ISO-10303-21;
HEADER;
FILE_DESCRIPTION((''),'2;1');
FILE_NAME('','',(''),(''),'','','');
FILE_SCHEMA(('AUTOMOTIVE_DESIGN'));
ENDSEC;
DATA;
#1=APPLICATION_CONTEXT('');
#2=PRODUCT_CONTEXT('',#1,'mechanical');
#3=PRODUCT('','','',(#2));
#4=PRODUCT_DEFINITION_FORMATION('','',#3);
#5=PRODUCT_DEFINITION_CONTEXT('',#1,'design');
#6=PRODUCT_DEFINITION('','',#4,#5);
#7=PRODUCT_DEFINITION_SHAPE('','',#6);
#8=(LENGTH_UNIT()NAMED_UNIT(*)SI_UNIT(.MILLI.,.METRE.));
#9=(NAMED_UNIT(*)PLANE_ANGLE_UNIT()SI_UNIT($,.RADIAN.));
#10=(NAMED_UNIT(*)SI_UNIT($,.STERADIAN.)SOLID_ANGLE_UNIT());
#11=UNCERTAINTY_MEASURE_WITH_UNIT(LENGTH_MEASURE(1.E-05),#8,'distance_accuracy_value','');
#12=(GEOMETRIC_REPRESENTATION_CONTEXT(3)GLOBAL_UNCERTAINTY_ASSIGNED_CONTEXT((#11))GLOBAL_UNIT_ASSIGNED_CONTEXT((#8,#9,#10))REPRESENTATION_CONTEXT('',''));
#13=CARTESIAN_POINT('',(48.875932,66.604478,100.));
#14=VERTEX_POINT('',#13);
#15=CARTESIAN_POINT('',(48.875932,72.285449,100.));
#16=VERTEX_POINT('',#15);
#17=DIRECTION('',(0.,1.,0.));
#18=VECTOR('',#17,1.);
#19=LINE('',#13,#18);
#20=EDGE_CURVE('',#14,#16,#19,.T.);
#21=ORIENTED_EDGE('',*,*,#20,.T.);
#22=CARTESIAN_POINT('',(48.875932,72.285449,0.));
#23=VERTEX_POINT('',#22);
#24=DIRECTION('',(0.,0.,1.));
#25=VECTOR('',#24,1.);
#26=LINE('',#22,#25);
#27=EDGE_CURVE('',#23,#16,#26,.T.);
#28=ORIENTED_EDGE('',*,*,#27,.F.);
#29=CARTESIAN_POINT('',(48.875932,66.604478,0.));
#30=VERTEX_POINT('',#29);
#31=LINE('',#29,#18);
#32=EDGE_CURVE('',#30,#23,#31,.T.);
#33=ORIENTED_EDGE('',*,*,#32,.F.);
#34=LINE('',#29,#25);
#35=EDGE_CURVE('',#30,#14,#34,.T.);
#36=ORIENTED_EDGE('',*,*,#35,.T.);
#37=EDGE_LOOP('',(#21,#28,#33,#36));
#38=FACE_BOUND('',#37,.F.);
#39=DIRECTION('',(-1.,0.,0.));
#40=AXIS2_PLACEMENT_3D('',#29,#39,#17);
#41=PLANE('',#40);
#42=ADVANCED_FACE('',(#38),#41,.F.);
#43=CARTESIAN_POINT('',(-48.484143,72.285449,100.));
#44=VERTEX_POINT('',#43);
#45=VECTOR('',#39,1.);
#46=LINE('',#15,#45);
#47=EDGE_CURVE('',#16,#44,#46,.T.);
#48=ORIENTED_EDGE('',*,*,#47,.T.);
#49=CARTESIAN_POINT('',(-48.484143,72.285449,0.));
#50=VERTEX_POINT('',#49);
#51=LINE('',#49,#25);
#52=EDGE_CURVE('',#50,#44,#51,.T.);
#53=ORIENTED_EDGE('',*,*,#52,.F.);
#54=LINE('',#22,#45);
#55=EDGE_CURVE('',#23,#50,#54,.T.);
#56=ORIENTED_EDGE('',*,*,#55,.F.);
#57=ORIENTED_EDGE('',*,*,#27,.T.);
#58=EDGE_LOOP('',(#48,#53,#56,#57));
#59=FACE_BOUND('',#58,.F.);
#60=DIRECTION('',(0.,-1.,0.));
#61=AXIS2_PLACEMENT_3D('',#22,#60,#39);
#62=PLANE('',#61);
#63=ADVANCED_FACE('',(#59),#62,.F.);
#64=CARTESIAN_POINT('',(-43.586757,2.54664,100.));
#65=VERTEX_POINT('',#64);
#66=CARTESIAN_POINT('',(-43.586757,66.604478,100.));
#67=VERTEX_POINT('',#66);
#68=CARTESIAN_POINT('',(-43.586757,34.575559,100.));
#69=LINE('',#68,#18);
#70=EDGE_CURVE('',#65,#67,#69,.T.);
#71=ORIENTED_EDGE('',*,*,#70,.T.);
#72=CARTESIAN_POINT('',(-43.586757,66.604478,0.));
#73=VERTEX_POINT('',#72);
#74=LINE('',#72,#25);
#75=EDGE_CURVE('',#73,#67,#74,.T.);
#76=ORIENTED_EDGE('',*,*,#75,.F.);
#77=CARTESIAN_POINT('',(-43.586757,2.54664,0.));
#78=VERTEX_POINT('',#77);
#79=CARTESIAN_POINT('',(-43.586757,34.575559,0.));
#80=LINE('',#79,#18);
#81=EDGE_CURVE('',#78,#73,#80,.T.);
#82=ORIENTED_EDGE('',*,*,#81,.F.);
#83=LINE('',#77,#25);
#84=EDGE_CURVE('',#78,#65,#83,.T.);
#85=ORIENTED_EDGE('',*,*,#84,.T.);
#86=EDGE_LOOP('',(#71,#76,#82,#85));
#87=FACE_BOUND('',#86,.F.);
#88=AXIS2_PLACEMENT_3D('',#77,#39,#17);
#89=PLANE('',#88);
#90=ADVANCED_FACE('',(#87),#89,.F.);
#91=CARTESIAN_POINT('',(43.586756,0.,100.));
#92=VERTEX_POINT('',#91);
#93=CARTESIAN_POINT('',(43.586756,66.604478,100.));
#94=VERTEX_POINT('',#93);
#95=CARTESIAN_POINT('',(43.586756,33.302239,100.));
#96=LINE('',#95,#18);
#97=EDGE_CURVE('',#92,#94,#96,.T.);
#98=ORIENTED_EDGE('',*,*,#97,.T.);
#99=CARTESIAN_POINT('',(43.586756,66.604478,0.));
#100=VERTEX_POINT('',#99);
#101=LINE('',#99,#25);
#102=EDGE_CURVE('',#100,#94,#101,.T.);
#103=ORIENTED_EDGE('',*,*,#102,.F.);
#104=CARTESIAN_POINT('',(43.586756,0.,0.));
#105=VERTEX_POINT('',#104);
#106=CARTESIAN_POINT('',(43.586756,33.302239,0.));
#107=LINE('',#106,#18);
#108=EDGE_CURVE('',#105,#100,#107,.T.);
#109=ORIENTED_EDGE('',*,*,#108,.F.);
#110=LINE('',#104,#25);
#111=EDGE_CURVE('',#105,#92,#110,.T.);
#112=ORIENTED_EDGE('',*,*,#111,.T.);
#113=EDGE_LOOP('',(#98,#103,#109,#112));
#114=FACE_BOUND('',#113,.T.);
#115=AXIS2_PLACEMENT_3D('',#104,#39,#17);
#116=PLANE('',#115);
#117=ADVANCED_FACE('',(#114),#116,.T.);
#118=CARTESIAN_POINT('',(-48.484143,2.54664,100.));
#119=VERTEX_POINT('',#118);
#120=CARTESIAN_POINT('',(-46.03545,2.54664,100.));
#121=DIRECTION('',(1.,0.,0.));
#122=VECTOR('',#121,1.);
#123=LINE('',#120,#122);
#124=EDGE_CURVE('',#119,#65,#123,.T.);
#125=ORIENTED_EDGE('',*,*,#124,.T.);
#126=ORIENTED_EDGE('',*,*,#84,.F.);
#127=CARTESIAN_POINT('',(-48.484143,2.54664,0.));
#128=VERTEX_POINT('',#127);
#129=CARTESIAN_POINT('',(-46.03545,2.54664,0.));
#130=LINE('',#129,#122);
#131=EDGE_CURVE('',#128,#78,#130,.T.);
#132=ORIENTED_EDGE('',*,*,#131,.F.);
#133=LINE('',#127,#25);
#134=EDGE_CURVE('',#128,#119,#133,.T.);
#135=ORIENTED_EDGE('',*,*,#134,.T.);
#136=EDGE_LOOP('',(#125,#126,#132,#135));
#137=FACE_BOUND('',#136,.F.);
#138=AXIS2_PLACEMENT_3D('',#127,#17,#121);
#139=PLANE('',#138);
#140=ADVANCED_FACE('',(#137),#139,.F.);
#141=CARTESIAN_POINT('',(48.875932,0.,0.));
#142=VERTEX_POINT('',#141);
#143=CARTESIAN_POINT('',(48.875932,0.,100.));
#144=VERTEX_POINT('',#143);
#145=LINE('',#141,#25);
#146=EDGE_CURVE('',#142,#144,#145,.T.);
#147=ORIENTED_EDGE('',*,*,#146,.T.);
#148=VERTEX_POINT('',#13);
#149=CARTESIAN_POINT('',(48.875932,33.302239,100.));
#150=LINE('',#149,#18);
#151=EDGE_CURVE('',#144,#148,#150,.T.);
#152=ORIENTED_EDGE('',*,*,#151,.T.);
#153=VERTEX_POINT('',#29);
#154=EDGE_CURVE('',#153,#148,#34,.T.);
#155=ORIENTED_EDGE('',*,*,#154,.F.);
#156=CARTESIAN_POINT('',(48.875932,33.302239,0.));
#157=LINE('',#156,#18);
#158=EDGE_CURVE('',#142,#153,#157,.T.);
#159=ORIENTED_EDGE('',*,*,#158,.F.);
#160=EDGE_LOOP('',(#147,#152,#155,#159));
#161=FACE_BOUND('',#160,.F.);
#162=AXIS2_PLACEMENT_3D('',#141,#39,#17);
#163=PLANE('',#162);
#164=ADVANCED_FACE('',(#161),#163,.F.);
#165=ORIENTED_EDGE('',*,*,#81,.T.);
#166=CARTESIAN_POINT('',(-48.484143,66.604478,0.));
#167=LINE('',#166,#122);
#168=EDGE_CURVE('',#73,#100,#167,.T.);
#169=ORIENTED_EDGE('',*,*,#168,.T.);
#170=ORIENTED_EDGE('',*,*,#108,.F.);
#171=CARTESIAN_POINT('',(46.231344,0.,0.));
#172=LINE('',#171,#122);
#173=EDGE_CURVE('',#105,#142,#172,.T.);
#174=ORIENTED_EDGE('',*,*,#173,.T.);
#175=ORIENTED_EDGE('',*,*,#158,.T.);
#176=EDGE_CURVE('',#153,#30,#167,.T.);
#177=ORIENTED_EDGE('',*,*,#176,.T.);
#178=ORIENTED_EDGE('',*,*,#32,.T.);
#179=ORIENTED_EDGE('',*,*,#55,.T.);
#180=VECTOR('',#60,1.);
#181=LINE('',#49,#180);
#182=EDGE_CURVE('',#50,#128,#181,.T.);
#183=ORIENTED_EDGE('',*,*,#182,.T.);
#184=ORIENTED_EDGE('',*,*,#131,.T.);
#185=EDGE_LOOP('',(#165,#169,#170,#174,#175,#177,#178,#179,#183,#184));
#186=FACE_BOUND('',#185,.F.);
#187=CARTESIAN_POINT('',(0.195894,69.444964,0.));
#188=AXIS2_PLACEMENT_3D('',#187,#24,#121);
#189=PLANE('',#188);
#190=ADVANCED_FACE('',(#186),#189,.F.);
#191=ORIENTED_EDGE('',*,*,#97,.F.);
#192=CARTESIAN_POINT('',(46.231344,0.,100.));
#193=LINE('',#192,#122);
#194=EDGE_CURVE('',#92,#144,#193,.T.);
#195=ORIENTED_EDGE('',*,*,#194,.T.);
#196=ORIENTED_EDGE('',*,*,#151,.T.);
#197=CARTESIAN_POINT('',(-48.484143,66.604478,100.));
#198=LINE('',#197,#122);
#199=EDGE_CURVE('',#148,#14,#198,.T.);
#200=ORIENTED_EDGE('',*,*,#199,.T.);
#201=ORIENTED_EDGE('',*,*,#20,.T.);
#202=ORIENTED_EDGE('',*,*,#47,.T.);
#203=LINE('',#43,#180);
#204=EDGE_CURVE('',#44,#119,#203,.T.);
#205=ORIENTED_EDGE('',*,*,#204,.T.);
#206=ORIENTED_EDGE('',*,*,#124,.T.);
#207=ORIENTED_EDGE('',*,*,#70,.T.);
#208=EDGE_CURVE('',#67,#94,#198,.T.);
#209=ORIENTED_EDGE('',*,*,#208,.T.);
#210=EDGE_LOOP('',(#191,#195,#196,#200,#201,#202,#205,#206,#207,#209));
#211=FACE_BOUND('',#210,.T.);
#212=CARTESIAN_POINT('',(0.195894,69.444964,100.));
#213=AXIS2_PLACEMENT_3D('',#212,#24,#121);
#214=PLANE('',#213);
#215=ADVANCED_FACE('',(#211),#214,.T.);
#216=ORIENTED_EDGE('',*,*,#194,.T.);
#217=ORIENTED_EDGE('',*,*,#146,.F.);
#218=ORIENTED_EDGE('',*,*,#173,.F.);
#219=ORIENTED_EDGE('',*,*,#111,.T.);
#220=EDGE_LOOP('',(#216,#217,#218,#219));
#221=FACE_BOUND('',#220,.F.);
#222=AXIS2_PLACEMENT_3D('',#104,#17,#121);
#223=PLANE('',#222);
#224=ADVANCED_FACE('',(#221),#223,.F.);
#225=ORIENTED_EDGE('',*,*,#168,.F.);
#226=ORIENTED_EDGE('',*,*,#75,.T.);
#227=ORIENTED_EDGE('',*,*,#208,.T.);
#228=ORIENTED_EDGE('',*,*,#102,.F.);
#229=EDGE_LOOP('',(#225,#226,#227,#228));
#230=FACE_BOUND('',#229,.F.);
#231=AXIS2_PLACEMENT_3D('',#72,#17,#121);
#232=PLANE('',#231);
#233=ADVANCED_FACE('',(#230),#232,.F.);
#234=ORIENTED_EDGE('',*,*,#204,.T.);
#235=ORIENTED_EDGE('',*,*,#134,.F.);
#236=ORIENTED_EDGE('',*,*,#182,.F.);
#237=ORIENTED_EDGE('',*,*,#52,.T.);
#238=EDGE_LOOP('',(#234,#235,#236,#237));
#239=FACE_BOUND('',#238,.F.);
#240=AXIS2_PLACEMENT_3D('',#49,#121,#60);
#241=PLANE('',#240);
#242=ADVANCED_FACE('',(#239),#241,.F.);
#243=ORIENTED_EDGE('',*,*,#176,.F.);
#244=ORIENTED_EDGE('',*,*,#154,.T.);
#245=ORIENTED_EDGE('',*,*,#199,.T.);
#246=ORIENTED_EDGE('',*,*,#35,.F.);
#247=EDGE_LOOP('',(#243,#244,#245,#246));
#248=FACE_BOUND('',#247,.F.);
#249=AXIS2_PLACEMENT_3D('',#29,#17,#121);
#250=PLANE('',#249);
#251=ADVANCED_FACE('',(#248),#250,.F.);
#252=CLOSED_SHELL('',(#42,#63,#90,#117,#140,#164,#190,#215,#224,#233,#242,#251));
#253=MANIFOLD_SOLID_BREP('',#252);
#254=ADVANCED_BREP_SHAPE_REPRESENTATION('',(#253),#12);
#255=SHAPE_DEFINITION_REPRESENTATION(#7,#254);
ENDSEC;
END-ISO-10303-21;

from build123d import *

# Parameters (mm, degrees)
F0_W     = 4.897386
F0_H     = 64.057838
F0_W_2   = 5.289175
F0_H_2   = 66.604478
F1_DEPTH = 100


with BuildPart() as f1:
    # F0 (on Top) → F1 (new body)
    with BuildSketch(Plane.XY):
        Polygon((-48.484143, 72.285449), (-48.484143, 66.604478), (-43.586757, 66.604478), (43.586757, 66.604478), (48.875932, 66.604478), (48.875932, 72.285449), align=None)
        with Locations((-46.03545, 34.575559)):
            Rectangle(F0_W, F0_H)
        with Locations((46.231344, 33.302239)):
            Rectangle(F0_W_2, F0_H_2)
    extrude(amount=F1_DEPTH)


solid = f1.part
